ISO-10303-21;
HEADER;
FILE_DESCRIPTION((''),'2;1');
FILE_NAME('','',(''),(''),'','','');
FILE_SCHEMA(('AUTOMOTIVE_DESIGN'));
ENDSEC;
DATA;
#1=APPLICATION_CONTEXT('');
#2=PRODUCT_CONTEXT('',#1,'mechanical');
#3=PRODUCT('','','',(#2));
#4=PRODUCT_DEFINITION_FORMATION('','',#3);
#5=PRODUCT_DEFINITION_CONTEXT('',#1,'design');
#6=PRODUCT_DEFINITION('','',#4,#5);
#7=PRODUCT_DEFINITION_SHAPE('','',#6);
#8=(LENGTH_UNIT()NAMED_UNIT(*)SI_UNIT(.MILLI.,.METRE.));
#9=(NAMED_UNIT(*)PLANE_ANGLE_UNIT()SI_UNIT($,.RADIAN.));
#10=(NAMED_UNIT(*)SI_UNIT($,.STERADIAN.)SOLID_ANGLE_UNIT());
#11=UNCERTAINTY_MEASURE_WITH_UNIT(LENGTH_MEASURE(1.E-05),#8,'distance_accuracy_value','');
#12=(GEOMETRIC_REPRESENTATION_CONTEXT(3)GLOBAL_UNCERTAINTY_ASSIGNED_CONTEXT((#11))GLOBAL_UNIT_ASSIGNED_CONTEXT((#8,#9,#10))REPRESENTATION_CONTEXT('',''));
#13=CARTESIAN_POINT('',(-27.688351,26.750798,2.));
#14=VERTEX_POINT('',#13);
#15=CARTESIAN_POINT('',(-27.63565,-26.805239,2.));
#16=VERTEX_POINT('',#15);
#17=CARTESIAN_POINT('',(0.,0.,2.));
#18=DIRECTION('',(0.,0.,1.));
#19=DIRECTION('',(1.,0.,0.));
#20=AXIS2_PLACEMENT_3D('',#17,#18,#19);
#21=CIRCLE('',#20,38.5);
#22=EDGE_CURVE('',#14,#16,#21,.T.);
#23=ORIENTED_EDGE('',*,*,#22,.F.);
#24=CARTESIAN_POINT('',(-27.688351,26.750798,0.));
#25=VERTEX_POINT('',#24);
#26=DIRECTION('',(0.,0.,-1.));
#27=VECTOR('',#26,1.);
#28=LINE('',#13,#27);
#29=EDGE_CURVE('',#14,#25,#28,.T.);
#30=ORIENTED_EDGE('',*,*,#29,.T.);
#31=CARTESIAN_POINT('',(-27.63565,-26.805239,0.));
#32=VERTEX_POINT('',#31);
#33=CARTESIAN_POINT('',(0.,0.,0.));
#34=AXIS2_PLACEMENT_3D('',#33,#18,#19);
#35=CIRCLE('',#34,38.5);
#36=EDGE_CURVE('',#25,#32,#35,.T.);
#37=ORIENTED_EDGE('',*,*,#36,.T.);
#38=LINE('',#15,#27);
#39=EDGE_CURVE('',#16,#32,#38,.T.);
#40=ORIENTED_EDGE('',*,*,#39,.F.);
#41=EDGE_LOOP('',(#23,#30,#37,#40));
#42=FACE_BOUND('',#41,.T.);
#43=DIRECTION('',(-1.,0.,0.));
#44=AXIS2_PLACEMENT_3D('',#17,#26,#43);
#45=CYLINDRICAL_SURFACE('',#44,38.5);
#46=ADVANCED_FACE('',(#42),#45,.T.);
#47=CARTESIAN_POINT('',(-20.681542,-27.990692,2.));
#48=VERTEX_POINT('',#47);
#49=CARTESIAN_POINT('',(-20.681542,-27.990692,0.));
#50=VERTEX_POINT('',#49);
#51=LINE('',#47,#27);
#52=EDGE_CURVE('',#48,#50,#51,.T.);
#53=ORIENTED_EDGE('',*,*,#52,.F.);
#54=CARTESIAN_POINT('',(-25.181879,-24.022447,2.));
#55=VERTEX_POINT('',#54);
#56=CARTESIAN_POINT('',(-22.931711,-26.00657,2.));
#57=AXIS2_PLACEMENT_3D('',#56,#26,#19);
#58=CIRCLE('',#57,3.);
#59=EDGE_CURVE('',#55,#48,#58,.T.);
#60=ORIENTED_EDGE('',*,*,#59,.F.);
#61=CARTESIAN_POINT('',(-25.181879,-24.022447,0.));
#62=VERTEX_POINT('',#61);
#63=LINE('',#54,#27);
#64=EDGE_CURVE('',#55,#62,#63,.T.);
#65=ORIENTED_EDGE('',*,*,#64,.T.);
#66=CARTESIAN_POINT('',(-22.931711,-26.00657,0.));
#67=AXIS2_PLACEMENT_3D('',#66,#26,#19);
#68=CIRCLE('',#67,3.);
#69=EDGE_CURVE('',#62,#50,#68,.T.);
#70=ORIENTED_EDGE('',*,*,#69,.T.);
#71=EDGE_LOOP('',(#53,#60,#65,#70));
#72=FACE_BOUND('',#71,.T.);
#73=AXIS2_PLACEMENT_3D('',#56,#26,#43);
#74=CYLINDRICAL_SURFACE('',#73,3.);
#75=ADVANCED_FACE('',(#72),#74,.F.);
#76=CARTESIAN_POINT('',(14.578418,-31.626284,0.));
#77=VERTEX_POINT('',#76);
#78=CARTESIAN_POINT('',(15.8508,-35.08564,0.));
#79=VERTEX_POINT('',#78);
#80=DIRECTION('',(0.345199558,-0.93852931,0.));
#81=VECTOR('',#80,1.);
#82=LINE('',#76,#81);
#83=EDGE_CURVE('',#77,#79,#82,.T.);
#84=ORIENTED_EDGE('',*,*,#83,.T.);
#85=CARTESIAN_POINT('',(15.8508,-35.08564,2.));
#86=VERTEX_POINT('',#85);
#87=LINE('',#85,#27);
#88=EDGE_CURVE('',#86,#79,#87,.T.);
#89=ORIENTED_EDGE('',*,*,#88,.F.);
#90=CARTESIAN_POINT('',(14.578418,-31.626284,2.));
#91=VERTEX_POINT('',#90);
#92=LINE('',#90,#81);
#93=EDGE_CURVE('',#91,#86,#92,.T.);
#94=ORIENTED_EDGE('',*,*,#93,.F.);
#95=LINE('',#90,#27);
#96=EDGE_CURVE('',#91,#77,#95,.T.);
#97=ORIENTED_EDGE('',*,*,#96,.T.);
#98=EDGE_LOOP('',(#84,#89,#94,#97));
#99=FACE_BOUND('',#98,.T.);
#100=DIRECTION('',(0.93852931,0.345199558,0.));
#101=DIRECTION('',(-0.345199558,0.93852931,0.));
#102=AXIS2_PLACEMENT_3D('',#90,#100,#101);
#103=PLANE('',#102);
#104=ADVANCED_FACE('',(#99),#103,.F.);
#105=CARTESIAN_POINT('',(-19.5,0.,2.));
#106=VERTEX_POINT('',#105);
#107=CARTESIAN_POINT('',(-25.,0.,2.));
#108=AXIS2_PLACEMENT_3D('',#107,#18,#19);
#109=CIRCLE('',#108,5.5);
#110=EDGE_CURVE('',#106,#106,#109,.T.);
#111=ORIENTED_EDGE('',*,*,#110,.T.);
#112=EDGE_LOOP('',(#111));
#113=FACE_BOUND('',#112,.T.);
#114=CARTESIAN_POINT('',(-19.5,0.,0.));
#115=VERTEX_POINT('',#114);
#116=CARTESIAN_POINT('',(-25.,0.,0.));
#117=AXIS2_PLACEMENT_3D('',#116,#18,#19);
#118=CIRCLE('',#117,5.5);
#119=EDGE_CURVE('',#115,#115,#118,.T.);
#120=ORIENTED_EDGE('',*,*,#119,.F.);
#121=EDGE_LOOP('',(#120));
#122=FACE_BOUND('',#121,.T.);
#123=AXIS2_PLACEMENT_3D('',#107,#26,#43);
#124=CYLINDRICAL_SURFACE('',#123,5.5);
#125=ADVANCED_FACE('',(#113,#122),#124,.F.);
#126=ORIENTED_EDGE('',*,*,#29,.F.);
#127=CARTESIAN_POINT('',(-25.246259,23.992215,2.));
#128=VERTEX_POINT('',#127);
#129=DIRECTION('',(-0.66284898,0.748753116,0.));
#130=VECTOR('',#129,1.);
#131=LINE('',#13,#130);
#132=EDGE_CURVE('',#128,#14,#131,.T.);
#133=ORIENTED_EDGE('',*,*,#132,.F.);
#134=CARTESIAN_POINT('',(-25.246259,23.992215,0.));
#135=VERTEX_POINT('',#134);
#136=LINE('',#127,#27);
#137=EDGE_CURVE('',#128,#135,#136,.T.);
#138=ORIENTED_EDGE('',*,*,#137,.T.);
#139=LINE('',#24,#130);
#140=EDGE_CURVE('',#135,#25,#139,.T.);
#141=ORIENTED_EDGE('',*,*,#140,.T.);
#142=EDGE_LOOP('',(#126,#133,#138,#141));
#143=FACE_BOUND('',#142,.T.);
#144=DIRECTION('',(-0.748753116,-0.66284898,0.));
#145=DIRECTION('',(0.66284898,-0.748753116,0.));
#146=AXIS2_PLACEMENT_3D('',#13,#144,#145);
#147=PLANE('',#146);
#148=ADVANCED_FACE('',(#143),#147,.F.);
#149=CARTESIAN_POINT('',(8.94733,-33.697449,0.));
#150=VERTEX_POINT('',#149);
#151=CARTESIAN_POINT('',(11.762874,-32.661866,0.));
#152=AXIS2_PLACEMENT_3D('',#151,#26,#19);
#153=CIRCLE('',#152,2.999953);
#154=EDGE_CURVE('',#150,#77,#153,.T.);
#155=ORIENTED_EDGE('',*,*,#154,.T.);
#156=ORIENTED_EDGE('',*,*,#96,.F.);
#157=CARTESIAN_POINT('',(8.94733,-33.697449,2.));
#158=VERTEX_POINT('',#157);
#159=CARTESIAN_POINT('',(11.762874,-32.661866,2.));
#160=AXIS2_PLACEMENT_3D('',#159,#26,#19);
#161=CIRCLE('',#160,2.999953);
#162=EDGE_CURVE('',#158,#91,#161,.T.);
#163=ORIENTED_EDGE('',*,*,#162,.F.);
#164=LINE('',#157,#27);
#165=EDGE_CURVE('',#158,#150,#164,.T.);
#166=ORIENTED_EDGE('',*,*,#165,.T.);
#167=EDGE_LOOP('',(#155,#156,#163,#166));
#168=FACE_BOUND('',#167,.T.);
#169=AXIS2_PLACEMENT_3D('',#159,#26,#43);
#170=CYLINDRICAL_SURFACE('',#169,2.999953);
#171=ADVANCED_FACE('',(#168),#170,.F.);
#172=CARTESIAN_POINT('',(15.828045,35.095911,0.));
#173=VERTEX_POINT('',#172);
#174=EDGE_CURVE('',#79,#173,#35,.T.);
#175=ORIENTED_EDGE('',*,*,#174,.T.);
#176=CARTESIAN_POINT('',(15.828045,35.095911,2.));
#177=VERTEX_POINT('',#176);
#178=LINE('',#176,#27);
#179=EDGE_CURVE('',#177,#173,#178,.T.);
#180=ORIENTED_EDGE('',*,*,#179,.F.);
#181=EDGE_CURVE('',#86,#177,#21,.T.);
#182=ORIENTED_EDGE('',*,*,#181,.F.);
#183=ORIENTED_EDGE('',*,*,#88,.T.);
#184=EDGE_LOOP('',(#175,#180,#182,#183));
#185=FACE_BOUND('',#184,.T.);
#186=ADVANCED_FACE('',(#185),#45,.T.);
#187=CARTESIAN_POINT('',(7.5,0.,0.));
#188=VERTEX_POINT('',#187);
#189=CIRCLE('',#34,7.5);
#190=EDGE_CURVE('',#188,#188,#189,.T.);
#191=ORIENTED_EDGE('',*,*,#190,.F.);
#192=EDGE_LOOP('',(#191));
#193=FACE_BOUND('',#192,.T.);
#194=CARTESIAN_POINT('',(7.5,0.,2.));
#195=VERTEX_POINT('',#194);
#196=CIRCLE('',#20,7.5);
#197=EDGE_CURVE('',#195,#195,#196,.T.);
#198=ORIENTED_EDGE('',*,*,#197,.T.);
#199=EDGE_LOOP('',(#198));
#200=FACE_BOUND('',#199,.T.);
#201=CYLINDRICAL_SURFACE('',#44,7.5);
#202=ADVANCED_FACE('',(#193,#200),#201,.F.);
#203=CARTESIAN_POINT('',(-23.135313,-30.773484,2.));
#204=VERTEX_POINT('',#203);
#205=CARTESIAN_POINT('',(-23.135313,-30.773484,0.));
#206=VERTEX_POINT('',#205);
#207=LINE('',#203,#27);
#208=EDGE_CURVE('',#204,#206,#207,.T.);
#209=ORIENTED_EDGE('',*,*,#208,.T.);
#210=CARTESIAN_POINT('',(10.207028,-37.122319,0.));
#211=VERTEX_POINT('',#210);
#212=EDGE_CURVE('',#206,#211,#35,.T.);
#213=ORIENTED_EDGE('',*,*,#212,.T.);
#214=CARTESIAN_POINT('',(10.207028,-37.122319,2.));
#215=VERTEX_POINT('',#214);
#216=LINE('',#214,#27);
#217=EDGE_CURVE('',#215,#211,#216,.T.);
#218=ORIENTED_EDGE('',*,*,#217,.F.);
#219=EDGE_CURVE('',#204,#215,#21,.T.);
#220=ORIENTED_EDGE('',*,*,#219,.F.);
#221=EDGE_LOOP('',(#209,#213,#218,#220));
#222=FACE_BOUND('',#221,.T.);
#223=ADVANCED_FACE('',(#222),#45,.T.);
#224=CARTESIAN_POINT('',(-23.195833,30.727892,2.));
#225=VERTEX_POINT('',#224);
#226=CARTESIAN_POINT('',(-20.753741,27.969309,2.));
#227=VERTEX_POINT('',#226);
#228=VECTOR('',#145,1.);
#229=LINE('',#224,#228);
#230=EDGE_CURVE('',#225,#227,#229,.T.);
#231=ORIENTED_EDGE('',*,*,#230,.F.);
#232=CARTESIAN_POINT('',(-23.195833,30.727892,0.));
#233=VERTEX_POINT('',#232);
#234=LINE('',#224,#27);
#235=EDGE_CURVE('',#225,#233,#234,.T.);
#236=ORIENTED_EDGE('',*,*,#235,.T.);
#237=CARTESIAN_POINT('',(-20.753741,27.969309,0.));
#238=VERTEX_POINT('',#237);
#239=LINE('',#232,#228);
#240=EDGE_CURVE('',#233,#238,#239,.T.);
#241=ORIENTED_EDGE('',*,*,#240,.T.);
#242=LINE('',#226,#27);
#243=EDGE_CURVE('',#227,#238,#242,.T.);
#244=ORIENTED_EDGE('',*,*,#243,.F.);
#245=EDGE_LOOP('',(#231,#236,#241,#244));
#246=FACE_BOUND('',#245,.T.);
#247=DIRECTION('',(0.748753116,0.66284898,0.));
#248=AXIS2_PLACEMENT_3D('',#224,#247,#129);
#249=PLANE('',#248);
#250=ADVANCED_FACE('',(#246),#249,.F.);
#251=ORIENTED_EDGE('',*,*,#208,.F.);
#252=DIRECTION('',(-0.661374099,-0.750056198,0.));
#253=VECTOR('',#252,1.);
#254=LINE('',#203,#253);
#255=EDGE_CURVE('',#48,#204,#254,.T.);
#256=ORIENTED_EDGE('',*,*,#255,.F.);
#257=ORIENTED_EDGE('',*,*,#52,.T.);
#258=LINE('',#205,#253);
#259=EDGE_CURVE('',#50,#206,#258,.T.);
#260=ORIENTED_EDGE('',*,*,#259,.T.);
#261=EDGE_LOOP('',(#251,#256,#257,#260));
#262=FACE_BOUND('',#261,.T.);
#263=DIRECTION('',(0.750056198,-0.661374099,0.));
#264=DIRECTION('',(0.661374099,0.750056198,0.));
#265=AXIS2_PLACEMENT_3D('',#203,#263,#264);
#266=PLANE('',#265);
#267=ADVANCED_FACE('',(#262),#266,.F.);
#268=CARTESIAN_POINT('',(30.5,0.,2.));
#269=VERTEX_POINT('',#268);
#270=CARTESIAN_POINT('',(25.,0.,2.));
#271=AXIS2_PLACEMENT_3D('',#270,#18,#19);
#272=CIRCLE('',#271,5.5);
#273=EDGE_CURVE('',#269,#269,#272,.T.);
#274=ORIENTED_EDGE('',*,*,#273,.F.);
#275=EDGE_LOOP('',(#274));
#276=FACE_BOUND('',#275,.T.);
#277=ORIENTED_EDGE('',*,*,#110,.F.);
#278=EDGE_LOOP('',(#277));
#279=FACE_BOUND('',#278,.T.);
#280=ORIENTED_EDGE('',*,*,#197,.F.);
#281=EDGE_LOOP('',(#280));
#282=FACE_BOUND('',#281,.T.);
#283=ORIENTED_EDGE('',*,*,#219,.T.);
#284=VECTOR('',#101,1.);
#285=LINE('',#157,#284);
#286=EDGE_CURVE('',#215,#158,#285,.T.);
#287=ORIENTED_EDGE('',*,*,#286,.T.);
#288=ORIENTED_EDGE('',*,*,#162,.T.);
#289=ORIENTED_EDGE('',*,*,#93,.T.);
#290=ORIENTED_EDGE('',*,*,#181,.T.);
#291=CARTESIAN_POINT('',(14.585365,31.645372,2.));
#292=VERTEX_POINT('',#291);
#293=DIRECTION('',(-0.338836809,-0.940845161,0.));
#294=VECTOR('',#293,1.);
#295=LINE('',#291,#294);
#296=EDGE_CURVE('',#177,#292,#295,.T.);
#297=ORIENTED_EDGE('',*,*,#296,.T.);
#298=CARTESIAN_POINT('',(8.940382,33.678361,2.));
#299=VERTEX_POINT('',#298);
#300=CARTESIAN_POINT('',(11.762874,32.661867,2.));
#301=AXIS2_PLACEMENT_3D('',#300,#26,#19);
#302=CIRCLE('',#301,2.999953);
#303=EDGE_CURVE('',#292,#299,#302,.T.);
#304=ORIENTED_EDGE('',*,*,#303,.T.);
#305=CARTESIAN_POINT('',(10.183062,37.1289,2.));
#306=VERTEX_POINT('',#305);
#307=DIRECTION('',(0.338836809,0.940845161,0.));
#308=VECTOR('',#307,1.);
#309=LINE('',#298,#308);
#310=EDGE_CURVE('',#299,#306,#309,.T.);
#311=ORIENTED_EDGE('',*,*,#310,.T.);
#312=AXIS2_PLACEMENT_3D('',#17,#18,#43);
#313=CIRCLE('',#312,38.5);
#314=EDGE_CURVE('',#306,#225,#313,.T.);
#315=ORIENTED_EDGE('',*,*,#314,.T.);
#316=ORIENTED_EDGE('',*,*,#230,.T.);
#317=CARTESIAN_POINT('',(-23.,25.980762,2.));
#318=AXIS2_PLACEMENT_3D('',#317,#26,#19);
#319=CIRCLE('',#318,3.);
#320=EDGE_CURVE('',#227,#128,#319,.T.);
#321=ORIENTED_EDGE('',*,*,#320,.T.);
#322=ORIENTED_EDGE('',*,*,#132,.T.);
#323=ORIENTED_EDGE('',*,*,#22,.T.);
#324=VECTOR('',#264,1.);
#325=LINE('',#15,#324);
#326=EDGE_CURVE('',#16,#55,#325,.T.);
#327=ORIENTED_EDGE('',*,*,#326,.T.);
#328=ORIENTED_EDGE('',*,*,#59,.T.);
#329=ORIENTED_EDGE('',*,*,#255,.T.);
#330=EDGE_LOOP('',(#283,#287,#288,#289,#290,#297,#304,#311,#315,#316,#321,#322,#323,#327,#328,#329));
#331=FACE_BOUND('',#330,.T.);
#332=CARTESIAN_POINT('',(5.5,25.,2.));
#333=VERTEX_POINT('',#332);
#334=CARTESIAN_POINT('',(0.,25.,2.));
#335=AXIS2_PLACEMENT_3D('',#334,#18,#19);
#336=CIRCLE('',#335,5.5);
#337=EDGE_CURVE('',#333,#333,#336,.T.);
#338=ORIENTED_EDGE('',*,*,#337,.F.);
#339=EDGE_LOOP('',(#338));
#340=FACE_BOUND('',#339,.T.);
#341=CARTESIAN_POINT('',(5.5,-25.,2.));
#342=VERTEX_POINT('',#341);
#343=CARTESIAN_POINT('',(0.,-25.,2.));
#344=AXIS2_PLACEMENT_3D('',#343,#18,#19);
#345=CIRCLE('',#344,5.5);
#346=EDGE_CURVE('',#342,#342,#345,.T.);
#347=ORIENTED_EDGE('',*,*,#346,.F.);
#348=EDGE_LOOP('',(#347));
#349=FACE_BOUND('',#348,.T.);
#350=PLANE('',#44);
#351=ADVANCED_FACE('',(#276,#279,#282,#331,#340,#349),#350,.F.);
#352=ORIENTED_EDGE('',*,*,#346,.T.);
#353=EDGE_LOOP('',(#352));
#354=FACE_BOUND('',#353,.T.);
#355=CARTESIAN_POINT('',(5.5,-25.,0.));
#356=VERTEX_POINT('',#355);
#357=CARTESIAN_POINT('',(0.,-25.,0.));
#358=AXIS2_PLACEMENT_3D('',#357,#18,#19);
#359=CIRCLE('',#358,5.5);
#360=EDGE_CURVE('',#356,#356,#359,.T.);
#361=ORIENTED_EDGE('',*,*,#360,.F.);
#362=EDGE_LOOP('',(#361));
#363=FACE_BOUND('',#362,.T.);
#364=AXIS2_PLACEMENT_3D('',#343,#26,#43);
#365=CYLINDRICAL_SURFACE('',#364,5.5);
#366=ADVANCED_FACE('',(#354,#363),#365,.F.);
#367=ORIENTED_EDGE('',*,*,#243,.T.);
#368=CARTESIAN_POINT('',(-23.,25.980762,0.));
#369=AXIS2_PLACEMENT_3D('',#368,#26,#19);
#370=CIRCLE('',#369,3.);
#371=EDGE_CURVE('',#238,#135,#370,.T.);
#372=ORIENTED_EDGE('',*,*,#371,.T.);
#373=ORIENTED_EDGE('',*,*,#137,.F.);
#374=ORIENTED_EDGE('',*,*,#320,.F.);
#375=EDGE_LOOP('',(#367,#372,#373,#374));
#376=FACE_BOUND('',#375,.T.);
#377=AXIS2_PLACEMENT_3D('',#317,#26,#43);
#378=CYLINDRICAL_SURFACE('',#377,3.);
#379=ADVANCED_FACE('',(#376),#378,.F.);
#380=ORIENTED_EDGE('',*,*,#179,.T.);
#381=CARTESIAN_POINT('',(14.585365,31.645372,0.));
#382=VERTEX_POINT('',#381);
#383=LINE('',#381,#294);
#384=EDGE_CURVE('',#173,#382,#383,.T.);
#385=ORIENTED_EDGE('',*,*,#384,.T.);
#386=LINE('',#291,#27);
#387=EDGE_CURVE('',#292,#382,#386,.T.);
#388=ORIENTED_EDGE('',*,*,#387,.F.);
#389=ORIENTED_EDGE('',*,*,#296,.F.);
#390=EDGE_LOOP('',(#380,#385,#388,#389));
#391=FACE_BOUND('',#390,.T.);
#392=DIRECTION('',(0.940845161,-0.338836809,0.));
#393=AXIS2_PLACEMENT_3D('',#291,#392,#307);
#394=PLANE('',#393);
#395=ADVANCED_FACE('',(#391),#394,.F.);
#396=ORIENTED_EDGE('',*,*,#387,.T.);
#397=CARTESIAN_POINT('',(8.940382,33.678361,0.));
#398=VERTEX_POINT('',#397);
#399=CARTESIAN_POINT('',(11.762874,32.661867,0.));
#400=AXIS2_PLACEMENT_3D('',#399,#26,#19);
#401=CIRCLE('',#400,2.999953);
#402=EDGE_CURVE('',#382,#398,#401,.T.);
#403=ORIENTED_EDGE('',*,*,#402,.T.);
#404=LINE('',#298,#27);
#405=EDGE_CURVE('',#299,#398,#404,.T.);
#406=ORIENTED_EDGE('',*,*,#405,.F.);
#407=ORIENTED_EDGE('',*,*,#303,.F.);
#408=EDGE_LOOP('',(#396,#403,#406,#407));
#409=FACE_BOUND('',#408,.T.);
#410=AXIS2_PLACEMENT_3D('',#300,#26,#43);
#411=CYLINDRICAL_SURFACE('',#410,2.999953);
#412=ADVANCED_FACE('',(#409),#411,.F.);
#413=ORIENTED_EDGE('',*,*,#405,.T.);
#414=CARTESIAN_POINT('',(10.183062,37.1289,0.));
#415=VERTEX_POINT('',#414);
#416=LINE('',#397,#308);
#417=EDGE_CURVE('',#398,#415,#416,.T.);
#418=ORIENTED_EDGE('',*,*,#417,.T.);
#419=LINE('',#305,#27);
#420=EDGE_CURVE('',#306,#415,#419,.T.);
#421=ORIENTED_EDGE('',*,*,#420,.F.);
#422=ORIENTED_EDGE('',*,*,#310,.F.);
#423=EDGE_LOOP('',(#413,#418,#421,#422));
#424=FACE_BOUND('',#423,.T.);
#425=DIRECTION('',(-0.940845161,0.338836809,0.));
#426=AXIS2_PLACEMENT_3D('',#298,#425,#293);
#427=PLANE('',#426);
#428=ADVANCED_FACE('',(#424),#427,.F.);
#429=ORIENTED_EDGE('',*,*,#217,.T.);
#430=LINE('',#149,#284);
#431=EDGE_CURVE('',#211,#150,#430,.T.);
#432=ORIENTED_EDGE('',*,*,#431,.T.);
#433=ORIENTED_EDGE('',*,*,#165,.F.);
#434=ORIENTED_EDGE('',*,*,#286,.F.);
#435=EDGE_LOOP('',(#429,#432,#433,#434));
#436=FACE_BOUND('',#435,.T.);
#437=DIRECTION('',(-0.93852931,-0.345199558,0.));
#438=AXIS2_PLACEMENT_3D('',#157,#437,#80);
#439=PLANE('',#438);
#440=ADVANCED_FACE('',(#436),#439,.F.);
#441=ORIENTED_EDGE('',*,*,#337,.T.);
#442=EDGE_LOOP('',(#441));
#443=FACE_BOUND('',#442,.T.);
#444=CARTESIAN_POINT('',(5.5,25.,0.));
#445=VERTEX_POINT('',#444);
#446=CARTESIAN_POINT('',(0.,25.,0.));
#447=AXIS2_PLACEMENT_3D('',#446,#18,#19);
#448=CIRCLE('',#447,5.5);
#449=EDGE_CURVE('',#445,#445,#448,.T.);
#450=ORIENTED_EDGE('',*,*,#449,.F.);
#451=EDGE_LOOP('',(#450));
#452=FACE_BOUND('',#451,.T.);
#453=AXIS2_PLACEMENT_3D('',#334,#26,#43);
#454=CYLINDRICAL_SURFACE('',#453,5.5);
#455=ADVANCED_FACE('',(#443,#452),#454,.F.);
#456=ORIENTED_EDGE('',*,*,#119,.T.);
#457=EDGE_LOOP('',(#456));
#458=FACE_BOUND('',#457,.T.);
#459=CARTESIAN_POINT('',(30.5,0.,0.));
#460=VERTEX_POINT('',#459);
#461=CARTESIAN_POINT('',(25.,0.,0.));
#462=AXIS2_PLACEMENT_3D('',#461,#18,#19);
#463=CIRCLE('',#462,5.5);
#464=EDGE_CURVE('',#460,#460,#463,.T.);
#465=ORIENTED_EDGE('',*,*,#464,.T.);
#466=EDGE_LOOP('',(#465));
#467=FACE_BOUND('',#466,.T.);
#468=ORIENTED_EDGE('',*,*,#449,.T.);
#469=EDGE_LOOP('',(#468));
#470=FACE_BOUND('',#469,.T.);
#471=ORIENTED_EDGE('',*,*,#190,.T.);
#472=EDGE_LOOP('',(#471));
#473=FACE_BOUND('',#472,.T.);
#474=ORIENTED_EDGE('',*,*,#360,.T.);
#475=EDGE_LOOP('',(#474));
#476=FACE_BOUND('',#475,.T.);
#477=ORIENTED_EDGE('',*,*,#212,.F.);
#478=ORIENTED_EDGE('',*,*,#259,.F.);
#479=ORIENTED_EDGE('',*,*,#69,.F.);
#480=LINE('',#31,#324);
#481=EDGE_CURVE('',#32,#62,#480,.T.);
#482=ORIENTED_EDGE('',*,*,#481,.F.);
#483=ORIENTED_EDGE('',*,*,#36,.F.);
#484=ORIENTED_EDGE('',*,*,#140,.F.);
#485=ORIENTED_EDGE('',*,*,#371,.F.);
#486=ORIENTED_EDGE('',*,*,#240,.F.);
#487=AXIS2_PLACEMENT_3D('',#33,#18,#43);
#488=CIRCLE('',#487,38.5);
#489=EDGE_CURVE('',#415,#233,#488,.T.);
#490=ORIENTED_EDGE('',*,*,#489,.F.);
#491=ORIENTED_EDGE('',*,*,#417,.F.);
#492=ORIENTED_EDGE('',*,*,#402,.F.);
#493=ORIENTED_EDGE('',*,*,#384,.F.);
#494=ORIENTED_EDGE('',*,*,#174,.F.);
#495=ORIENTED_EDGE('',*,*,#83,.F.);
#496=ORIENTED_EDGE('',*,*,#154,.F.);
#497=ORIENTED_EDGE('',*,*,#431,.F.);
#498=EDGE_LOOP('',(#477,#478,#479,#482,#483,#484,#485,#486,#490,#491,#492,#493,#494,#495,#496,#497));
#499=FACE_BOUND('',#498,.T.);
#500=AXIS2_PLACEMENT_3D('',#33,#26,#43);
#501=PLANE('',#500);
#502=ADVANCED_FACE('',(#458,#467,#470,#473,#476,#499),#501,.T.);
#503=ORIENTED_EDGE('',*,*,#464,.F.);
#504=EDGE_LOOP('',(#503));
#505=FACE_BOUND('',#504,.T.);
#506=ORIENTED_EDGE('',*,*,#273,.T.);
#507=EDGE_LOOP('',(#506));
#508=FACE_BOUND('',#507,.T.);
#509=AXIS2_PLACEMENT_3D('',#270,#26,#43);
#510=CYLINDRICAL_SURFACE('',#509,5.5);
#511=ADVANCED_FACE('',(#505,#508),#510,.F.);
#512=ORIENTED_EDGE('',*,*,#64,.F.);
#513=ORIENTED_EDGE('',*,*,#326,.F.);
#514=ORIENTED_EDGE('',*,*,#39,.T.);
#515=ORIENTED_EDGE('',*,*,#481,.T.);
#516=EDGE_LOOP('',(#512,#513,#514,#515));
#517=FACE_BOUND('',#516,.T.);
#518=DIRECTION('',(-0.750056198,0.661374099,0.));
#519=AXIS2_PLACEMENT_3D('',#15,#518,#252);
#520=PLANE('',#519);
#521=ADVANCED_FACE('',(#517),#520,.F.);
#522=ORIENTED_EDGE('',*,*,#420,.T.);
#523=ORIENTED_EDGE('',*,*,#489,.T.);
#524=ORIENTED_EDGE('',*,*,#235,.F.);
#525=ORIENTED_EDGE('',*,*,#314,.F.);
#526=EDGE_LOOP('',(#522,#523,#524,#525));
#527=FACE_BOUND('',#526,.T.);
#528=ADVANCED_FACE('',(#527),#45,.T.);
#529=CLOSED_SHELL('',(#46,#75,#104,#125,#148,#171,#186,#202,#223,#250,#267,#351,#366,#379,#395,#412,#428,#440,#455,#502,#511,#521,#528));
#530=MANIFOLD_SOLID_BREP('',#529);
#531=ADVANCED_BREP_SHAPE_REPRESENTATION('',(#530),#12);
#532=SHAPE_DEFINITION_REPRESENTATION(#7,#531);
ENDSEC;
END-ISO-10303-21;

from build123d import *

# Parameters (mm, degrees)
MODEL_R             = 5.5
MODEL_R_2           = 7.5
BOSS_EXTRUDE1_DEPTH = 2


with BuildPart() as part:
    # Model → Boss-Extrude1 (new body)
    with BuildSketch(Plane.XY):
        with BuildLine():
            Line((8.947329511, -33.697448784), (10.207027791, -37.122319212))
            ThreePointArc((10.207027791, -37.122319212), (-7.201532375, -37.820469741), (-23.135313057, -30.773483549))
            Line((-23.135313057, -30.773483549), (-20.68154198, -27.990692072))
            ThreePointArc((-20.68154198, -27.990692072), (-20.947588277, -23.756401179), (-25.18187917, -24.022447477))
            Line((-25.18187917, -24.022447477), (-27.635650248, -26.805238954))
            ThreePointArc((-27.635650248, -26.805238954), (-38.49998136, -0.037885337), (-27.688351274, 26.750798188))
            Line((-27.688351274, 26.750798188), (-25.246259349, 23.992215172))
            ThreePointArc((-25.246259349, 23.992215172), (-21.011453059, 23.734502765), (-20.753740651, 27.969309055))
            Line((-20.753740651, 27.969309055), (-23.195832576, 30.727892071))
            ThreePointArc((-23.195832576, 30.727892071), (-7.250949904, 37.811026507), (10.183062279, 37.128900369))
            Line((10.183062279, 37.128900369), (8.940382065, 33.678361242))
            ThreePointArc((8.940382065, 33.678361242), (10.746378971, 29.839375176), (14.585365036, 31.645372081))
            Line((14.585365036, 31.645372081), (15.82804525, 35.095911209))
            ThreePointArc((15.82804525, 35.095911209), (38.499997976, 0.012482786), (15.85080009, -35.085640033))
            Line((15.85080009, -35.085640033), (14.578417591, -31.626283722))
            ThreePointArc((14.578417591, -31.626283722), (10.72729102, -29.846322213), (8.947329511, -33.697448784))
        make_face()
        with Locations((-25, 0)):
            Circle(MODEL_R, mode=Mode.SUBTRACT)
        with Locations((0, 25)):
            Circle(MODEL_R, mode=Mode.SUBTRACT)
        with Locations((0, -25)):
            Circle(MODEL_R, mode=Mode.SUBTRACT)
        with Locations((25, 0)):
            Circle(MODEL_R, mode=Mode.SUBTRACT)
        Circle(MODEL_R_2, mode=Mode.SUBTRACT)
    extrude(amount=BOSS_EXTRUDE1_DEPTH)


solid = part.part
